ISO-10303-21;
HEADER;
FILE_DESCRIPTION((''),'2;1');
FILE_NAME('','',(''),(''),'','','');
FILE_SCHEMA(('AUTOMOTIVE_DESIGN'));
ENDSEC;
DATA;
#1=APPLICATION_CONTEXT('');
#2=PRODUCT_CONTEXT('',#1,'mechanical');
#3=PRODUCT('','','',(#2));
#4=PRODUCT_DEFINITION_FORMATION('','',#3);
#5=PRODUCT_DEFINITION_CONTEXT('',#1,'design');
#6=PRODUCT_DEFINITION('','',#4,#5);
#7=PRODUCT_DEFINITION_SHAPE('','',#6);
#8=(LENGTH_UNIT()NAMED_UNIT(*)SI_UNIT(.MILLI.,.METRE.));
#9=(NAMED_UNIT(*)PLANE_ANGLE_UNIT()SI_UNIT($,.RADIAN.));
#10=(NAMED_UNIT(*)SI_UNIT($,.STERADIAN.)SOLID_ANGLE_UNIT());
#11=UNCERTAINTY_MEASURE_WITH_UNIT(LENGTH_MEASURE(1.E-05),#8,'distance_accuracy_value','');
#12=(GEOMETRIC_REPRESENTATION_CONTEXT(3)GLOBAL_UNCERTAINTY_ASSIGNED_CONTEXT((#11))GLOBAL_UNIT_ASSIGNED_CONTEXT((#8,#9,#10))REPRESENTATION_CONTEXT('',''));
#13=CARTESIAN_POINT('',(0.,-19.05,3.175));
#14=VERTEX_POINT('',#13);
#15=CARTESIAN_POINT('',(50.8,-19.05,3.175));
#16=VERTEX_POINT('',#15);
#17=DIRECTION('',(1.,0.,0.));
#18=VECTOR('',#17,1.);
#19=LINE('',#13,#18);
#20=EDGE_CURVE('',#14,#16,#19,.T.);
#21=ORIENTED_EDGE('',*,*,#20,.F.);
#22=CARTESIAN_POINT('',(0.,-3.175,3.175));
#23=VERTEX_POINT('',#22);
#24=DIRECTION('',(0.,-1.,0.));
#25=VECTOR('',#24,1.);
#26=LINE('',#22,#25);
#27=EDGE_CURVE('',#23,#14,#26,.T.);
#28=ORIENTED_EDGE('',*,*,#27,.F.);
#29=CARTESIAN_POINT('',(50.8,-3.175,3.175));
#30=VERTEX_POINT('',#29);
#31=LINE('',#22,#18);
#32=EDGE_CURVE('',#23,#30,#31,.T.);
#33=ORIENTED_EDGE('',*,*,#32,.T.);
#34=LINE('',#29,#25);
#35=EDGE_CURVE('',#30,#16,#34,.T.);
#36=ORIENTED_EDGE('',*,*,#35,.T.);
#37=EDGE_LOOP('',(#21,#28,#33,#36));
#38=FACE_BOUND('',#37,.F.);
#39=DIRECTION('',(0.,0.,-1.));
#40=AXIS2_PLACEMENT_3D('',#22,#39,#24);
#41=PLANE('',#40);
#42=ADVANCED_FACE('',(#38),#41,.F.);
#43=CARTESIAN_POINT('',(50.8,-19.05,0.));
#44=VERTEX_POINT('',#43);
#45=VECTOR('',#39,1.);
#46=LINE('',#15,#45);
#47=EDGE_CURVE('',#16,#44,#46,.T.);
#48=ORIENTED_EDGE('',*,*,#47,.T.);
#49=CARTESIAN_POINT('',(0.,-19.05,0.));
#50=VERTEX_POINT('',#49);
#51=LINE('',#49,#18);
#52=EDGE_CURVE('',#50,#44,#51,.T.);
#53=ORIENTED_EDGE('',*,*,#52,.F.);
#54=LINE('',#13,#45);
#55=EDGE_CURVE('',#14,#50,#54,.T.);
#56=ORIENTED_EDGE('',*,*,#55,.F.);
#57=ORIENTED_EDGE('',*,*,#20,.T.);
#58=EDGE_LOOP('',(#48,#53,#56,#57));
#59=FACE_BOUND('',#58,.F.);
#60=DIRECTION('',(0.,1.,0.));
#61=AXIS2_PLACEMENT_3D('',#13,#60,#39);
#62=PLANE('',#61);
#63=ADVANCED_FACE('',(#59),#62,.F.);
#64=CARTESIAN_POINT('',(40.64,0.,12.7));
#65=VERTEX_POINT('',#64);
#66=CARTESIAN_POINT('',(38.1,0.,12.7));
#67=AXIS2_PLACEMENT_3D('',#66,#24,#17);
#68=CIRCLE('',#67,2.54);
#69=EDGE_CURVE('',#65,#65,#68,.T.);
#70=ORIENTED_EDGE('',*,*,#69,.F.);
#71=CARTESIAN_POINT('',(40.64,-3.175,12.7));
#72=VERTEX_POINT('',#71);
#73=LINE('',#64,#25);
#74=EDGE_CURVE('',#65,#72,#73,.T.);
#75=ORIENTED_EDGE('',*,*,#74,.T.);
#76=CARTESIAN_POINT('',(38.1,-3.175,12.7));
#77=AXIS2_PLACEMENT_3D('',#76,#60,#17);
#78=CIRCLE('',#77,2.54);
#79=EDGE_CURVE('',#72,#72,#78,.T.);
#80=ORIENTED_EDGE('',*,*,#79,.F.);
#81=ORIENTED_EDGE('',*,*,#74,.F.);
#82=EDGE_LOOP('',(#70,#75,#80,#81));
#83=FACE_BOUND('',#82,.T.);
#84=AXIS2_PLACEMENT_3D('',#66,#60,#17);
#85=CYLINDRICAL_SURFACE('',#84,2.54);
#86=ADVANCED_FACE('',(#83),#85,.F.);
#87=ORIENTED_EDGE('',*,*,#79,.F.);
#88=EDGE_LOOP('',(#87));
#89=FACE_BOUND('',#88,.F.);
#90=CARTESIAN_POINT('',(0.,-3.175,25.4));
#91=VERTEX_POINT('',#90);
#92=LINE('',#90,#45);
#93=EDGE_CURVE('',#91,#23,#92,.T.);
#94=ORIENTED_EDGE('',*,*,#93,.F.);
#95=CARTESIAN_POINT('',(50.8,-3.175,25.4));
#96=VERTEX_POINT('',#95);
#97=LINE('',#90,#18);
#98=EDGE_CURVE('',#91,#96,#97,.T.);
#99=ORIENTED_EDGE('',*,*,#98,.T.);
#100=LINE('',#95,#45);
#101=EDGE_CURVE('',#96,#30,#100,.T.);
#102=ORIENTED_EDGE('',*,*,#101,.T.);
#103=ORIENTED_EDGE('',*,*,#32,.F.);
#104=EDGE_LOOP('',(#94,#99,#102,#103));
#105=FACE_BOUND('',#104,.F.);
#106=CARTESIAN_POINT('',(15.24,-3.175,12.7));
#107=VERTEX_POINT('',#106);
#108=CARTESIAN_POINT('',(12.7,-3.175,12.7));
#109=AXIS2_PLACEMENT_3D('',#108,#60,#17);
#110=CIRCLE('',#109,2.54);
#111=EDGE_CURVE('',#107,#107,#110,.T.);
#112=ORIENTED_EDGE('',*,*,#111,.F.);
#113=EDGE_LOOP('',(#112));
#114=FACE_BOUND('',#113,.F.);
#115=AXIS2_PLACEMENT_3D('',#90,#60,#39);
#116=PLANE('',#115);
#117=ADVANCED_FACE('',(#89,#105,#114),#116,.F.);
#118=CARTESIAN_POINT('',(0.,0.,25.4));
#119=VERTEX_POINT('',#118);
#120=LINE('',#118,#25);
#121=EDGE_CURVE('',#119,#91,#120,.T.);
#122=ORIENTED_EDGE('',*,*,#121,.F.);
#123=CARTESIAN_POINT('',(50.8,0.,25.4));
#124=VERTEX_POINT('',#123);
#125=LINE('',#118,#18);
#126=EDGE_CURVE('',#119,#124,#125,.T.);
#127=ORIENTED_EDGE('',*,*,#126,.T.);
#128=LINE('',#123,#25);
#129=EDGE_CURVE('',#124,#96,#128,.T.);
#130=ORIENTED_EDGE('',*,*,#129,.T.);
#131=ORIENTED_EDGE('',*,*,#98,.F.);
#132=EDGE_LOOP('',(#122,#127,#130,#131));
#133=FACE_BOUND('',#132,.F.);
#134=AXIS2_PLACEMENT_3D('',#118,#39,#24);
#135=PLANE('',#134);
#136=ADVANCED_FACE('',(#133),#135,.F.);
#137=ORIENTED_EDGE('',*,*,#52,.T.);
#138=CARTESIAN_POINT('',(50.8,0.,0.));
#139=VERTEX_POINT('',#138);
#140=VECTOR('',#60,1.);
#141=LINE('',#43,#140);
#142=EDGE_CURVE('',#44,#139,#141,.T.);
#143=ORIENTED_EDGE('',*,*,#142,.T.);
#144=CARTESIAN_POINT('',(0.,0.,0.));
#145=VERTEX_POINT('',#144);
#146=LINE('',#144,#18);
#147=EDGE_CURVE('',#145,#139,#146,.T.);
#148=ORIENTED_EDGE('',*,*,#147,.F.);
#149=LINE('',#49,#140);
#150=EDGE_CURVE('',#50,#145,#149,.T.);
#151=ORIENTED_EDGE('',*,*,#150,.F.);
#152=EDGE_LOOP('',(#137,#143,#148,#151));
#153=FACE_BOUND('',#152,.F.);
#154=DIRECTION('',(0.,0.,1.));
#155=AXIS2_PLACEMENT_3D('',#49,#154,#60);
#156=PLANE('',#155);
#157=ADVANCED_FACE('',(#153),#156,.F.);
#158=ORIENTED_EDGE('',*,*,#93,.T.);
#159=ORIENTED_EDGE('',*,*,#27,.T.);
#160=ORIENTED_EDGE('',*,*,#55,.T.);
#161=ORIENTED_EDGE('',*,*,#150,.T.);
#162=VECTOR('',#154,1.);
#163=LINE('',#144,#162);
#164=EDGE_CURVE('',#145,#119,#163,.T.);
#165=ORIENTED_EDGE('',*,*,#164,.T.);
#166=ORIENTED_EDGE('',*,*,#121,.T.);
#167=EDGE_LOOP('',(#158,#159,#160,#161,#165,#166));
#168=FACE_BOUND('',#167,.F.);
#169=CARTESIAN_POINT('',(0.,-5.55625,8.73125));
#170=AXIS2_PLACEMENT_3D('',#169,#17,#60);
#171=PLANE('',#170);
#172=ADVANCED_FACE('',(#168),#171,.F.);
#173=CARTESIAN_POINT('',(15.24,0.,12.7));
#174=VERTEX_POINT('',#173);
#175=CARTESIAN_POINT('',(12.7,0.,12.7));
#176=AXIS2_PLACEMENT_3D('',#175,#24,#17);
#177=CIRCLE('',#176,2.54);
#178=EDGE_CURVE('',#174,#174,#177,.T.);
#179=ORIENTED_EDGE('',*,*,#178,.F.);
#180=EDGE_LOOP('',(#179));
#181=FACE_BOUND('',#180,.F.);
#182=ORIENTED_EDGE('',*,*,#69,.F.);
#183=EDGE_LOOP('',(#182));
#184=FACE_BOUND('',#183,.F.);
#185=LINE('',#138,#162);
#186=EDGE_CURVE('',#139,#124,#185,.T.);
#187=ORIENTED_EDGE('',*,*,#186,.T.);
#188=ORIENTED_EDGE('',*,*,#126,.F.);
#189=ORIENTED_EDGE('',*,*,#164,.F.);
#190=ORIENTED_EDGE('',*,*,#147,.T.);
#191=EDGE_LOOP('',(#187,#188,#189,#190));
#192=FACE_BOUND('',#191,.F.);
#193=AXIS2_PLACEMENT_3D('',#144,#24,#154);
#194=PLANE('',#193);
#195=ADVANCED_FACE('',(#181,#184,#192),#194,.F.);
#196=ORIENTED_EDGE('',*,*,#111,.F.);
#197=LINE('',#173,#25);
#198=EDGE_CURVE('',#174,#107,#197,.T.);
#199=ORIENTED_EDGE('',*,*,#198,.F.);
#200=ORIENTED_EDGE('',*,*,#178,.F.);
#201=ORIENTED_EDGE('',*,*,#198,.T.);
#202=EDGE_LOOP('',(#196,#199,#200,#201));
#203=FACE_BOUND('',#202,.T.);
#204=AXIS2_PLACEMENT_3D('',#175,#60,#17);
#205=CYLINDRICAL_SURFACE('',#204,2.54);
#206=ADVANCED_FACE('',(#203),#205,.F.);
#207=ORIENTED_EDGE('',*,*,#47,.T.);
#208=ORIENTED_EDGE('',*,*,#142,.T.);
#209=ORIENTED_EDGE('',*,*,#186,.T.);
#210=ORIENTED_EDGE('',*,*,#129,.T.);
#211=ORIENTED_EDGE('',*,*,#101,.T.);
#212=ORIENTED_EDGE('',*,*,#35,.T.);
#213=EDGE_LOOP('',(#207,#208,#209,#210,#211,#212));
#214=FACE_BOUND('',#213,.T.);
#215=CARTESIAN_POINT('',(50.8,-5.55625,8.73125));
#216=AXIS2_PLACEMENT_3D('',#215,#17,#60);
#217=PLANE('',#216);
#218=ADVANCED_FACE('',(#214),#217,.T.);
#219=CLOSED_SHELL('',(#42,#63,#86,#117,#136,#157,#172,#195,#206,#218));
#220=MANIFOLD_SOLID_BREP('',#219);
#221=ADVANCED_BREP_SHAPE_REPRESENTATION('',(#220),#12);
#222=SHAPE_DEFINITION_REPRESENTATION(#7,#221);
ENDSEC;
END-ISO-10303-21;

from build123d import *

# Parameters (mm, degrees)
F1_DEPTH = 50.8
F2_R     = 2.54
F3_DEPTH = 25.4


with BuildPart() as f1:
    # F0 (on Right) → F1 (new body)
    with BuildSketch(Plane.YZ):
        Polygon((-19.05, 0), (0, 0), (0, 25.4), (-3.175, 25.4), (-3.175, 3.175), (-19.05, 3.175), align=None)
    extrude(amount=F1_DEPTH)

    # F2 (on Front) → F3 (cut)
    with BuildSketch(Plane.XZ):
        with Locations((38.1, 12.7)):
            Circle(F2_R)
        with Locations((12.7, 12.7)):
            Circle(F2_R)
    extrude(amount=F3_DEPTH, mode=Mode.SUBTRACT)


solid = f1.part
